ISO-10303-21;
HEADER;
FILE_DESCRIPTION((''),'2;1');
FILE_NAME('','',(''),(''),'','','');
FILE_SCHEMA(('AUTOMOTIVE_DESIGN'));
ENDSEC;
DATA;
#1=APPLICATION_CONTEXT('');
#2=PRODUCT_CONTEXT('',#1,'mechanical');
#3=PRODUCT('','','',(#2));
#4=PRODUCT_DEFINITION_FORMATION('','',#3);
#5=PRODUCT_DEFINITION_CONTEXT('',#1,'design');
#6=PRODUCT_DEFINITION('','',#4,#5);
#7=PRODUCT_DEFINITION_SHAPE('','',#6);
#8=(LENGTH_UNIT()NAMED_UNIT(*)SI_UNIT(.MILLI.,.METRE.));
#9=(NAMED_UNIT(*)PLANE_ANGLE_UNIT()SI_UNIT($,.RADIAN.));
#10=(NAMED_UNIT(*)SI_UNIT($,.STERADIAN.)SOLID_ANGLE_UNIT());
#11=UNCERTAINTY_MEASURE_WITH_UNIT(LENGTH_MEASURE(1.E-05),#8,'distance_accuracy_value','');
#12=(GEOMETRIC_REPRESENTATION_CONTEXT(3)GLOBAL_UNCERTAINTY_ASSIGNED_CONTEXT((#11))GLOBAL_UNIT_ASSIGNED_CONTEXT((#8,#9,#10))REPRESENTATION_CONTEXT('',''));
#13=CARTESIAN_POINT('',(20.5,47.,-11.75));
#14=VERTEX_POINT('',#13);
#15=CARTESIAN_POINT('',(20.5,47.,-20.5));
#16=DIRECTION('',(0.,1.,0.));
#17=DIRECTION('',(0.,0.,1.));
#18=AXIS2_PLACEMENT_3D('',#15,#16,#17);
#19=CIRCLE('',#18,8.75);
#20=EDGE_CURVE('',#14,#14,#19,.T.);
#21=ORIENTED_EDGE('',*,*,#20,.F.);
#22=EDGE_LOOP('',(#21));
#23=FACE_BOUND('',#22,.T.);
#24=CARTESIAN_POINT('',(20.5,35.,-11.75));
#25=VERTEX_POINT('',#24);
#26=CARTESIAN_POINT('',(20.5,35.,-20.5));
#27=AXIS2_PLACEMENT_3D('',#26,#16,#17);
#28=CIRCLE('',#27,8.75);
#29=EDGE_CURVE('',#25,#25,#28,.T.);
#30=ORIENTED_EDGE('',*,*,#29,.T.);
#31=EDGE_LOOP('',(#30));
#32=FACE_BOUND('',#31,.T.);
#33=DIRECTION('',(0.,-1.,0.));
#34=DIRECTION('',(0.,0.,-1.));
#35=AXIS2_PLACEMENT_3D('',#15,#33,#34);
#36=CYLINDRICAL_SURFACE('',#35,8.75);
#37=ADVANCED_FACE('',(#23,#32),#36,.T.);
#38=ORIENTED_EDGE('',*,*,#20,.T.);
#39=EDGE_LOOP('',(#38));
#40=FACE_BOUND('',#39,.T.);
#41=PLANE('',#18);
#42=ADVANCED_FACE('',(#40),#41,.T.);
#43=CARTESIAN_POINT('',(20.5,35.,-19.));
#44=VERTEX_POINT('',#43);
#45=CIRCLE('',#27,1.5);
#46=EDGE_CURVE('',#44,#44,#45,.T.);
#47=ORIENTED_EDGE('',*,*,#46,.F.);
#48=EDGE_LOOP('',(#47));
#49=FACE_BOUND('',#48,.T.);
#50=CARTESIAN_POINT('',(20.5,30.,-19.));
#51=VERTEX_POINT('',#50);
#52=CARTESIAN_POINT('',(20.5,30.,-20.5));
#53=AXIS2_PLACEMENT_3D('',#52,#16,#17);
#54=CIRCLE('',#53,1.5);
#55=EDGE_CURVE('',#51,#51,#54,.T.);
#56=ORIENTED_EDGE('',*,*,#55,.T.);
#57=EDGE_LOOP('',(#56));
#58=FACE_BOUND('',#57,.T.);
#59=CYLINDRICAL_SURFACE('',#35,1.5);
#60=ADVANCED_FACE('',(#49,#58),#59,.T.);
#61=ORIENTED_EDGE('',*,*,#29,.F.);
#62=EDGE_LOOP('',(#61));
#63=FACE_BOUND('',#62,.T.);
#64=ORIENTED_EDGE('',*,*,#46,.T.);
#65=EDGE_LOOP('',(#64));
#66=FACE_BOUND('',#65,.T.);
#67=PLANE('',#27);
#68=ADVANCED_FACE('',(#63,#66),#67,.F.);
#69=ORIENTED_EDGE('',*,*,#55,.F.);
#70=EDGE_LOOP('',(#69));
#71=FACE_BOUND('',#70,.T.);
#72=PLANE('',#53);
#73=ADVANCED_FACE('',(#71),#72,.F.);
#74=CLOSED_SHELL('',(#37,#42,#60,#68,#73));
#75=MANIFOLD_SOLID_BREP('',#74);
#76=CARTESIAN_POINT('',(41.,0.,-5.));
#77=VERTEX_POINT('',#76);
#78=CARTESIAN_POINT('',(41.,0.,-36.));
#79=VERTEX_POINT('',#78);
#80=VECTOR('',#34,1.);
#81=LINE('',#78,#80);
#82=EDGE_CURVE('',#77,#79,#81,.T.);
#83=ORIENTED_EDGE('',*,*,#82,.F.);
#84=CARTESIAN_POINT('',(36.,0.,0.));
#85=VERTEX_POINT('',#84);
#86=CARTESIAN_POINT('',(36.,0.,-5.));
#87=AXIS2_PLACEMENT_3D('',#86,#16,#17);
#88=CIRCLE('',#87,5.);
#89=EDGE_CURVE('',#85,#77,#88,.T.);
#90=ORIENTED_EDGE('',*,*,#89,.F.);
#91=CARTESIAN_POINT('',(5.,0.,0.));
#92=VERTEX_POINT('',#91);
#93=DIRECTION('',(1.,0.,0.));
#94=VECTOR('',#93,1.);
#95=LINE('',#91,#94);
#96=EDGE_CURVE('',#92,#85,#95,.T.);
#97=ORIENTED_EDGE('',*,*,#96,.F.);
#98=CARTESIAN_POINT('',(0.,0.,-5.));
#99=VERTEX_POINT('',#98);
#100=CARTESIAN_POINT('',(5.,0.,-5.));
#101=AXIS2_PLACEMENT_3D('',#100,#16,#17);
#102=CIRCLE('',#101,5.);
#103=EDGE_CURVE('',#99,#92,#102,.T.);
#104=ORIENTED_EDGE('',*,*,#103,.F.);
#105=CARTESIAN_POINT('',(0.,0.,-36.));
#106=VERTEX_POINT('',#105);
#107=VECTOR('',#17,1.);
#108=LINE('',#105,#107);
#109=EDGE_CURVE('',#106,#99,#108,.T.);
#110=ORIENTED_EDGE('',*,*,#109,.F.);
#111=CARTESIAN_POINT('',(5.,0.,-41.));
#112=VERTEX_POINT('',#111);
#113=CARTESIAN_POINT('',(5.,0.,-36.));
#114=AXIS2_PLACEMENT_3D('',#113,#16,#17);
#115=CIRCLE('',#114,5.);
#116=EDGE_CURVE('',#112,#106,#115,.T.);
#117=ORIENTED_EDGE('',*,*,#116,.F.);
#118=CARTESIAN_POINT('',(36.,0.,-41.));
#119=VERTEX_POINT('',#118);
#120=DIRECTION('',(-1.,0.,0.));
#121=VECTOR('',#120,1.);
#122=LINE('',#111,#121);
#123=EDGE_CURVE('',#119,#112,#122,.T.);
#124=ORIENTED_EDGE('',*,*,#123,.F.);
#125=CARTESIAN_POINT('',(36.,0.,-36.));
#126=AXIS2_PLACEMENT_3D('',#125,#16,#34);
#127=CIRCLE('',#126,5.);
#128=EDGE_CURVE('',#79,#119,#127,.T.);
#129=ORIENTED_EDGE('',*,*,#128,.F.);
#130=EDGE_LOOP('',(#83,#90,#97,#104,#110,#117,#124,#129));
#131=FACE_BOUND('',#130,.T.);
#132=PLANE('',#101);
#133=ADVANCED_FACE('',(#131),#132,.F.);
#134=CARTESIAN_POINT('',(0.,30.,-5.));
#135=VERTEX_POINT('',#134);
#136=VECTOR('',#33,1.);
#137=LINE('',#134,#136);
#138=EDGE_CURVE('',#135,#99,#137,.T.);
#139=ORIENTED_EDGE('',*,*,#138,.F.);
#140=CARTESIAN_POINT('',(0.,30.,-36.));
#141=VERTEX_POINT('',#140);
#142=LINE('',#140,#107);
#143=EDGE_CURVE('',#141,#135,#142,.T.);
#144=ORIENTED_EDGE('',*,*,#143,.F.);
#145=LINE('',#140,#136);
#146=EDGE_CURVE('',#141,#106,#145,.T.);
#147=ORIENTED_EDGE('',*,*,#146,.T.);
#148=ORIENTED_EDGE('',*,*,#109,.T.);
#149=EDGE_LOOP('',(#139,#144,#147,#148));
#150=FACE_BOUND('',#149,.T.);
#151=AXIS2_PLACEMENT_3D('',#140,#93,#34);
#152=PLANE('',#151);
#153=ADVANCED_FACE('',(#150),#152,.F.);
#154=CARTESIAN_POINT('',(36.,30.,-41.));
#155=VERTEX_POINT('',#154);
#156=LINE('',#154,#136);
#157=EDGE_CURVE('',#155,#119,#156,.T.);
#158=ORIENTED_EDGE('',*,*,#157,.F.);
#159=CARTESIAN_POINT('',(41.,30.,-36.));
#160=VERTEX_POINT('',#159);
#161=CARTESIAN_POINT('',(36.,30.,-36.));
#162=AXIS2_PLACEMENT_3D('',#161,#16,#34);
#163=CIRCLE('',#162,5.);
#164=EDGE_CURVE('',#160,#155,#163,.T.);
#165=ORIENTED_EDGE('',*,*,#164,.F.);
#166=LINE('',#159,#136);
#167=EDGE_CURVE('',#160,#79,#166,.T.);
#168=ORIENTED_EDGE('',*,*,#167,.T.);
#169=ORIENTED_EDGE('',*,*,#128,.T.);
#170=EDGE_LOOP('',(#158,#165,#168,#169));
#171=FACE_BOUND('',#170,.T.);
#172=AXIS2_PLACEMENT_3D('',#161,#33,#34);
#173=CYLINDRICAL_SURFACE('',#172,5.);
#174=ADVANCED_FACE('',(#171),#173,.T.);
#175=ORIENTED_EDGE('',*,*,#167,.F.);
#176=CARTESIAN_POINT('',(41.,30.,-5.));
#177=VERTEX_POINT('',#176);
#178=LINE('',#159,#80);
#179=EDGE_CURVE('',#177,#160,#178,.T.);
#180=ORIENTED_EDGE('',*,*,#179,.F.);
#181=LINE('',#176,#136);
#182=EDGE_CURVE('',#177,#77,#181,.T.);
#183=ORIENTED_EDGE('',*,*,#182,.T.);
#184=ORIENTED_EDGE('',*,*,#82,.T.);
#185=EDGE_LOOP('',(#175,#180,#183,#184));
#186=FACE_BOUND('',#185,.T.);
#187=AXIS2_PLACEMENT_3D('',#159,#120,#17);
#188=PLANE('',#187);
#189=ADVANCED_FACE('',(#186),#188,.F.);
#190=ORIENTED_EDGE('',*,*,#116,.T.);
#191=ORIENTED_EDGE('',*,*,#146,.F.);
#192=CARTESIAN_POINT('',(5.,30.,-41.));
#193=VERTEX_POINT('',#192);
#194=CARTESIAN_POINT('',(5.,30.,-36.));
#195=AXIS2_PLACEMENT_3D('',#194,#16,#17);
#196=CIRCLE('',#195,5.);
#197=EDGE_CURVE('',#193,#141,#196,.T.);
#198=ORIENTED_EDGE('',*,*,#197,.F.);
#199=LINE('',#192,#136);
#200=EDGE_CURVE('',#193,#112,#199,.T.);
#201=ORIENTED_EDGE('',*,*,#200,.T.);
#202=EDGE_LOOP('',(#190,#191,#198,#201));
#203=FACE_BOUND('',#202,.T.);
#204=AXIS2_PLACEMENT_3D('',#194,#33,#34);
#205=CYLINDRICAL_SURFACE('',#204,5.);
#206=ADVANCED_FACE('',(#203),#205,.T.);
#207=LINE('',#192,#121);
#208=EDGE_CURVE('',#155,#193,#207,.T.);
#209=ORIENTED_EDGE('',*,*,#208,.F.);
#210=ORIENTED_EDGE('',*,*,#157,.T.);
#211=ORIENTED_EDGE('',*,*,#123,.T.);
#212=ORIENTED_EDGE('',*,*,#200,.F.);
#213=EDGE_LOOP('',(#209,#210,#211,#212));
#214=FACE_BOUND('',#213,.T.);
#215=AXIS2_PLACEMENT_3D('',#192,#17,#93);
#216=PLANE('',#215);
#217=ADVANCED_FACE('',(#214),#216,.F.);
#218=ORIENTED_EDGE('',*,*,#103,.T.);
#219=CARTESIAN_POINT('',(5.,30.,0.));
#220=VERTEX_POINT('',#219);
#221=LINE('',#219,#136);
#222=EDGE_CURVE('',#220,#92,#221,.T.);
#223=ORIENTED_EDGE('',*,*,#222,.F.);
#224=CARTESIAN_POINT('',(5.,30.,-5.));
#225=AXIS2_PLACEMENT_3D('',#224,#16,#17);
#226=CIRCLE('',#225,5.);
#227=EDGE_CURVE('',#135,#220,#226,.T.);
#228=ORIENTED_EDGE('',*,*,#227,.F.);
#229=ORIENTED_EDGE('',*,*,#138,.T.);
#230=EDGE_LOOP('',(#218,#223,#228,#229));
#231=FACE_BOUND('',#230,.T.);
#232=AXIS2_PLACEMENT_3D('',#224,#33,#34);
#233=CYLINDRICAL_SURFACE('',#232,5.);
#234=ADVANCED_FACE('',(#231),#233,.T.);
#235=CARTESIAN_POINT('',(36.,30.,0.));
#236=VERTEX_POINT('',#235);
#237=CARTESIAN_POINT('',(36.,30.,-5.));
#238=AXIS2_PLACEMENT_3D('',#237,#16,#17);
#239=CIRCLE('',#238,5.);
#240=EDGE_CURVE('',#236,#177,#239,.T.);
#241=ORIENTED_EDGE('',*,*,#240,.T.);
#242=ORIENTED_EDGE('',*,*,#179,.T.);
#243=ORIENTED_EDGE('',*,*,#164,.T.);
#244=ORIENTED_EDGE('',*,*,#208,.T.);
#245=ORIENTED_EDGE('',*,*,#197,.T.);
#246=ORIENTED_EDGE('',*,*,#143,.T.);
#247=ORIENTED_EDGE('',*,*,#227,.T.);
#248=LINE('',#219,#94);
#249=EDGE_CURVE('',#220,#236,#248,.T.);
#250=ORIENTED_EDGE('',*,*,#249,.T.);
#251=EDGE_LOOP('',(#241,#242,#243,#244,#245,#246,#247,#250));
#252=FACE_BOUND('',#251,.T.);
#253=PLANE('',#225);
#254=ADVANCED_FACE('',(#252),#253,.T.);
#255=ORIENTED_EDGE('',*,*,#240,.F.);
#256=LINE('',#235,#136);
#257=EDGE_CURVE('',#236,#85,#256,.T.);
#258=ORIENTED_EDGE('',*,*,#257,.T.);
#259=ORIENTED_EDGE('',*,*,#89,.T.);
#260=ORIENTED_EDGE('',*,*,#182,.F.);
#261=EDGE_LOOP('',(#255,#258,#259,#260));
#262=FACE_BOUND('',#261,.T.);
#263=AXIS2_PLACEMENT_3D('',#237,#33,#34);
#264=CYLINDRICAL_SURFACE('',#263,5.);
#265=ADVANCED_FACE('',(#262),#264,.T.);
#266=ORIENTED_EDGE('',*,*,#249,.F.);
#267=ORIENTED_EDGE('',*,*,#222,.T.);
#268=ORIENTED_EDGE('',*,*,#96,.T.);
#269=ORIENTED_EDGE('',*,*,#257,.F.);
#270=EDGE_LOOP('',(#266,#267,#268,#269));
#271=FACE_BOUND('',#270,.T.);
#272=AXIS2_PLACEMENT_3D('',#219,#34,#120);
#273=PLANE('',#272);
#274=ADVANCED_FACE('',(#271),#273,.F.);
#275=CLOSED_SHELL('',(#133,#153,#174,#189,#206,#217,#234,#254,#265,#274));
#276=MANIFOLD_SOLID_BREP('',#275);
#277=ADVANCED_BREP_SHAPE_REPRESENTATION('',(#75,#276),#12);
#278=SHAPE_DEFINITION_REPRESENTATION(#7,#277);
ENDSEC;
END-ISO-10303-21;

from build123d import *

# Parameters (mm, degrees)
SALIENTE_EXTRUIR2_DEPTH = 30
CROQUIS3_R              = 1.5
SALIENTE_EXTRUIR3_DEPTH = 17
CROQUIS6_R              = 8.75
SALIENTE_EXTRUIR4_DEPTH = 12


with BuildPart() as part:
    # Croquis2 → Saliente-Extruir2 (new body)
    with BuildSketch(Plane(origin=(0, 0, 0), x_dir=(1, 0, 0), z_dir=(0, 1, 0))):
        with BuildLine():
            Line((5, 41), (36, 41))
            ThreePointArc((36, 41), (39.535533906, 39.535533906), (41, 36))
            Line((41, 36), (41, 5))
            ThreePointArc((41, 5), (39.535533906, 1.464466094), (36, 0))
            Line((36, 0), (5, 0))
            ThreePointArc((5, 0), (1.464466094, 1.464466094), (0, 5))
            Line((0, 5), (0, 36))
            ThreePointArc((0, 36), (1.464466094, 39.535533906), (5, 41))
        make_face()
    extrude(amount=SALIENTE_EXTRUIR2_DEPTH)


with BuildPart() as body_2:
    # Croquis3 → Saliente-Extruir3 (new body)
    with BuildSketch(Plane(origin=(0, 30, 0), x_dir=(1, 0, 0), z_dir=(0, 1, 0))):
        with Locations(Location((20.5, 20.5, 0), (0, 0, 270))):
            Circle(CROQUIS3_R)
    extrude(amount=SALIENTE_EXTRUIR3_DEPTH)

    # Croquis6 → Saliente-Extruir4 (add)
    with BuildSketch(Plane(origin=(0, 35, 0), x_dir=(1, 0, 0), z_dir=(0, 1, 0))):
        with Locations(Location((20.5, 20.5, 0), (0, 0, 270))):
            Circle(CROQUIS6_R)
    extrude(amount=SALIENTE_EXTRUIR4_DEPTH)


solid = Compound([part.part, body_2.part])
